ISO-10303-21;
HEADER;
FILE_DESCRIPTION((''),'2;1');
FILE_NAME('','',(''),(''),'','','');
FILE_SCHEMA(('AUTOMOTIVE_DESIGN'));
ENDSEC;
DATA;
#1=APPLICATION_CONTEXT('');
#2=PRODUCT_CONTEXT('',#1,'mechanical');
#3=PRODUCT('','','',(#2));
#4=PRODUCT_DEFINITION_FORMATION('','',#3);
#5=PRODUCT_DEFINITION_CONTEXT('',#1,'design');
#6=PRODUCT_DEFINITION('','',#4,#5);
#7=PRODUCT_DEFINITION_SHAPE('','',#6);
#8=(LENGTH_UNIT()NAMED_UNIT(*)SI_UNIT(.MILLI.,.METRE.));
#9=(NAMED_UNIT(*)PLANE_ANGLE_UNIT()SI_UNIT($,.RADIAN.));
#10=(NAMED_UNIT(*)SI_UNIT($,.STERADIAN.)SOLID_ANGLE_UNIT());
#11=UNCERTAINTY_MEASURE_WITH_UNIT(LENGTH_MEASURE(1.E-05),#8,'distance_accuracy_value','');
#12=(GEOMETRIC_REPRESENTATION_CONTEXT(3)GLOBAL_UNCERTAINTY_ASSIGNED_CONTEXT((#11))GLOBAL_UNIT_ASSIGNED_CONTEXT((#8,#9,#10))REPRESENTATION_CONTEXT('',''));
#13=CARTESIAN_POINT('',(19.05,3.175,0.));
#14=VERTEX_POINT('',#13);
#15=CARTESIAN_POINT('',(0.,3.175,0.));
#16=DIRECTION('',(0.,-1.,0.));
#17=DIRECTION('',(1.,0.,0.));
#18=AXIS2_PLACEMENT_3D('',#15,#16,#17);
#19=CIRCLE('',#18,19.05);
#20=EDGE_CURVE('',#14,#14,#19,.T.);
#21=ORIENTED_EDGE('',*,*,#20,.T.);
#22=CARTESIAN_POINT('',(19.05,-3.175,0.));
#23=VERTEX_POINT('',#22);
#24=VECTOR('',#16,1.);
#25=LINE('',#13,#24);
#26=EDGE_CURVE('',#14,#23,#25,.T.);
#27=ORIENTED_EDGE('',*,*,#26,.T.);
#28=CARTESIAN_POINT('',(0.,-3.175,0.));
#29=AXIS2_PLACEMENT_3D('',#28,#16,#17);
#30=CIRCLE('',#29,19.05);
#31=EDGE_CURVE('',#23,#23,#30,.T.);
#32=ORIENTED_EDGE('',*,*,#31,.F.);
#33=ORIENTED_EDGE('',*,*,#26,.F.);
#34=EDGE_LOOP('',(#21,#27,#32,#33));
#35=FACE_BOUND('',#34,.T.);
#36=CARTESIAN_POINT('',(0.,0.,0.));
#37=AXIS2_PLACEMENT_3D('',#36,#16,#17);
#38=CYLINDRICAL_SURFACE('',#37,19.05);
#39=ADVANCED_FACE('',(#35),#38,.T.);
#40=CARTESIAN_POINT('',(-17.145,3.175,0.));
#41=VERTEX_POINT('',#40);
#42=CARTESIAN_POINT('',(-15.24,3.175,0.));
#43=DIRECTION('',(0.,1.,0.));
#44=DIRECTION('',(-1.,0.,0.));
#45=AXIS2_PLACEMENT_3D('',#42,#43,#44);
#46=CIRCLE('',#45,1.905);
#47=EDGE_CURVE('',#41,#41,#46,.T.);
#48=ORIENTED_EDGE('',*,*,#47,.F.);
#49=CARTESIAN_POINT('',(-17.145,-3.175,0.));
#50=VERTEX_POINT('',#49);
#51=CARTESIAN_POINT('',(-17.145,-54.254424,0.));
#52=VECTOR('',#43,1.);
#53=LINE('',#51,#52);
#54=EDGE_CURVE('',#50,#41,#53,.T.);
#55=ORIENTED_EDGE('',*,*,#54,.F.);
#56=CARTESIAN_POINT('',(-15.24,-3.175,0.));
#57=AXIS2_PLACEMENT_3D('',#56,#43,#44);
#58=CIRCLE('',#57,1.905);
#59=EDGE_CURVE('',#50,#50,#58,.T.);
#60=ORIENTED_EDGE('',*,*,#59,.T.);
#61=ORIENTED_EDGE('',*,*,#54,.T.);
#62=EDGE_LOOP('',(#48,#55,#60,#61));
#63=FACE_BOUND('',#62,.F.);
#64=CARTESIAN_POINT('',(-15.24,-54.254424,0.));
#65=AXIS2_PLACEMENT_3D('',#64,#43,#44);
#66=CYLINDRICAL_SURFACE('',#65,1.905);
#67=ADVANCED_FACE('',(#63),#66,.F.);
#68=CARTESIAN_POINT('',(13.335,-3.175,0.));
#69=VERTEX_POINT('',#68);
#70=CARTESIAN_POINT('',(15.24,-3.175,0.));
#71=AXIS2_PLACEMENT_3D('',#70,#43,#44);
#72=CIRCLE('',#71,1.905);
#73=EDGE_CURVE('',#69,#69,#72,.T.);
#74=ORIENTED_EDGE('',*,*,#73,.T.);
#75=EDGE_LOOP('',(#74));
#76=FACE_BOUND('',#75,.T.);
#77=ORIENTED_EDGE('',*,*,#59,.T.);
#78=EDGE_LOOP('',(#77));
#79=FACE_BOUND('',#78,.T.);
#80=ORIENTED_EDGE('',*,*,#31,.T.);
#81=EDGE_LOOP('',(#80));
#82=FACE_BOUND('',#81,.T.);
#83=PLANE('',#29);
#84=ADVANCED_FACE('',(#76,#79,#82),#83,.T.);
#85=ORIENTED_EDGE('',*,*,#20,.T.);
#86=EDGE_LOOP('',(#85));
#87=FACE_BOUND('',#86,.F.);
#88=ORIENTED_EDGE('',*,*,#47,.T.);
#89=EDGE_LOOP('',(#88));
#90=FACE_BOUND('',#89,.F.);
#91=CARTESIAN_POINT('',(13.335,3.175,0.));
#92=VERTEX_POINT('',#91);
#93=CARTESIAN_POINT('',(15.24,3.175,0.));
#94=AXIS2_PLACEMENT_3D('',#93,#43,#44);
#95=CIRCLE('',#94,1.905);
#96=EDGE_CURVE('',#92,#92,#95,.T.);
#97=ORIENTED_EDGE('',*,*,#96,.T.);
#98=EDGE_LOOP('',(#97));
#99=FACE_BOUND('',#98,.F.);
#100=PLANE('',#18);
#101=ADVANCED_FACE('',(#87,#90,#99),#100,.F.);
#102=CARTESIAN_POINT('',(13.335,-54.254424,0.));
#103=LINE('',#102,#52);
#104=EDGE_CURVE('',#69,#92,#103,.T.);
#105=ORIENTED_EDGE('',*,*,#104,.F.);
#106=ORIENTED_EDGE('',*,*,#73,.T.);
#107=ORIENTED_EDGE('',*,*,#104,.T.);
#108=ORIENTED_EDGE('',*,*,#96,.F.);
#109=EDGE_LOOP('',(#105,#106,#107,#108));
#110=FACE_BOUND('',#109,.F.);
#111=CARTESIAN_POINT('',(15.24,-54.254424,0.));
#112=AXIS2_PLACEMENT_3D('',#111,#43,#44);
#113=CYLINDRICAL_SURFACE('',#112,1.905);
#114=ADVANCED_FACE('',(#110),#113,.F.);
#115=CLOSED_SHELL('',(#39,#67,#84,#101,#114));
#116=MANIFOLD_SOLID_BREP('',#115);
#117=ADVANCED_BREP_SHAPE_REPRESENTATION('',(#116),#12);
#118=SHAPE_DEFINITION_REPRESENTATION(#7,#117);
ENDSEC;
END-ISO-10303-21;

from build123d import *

# Parameters (mm, degrees)
F0_R     = 19.05
F1_DEPTH = 3.175
F2_D     = 3.81
F3_D     = 3.81


with BuildPart() as f1:
    # F0 (on Front) → F1 (new body, symmetric)
    with BuildSketch(Plane.XZ):
        Circle(F0_R)
    extrude(amount=F1_DEPTH, both=True)

    # F2 (through all)
    with Locations(Plane.XZ):
        with Locations((15.24, 0), (-15.24, 0)):
            Hole(F2_D / 2)

    # F3 (through all)
    with Locations(Plane(origin=(0, 0, 0), x_dir=(1, 0, 0), z_dir=(0, 1, 0))):
        with Locations((-15.24, 0), (15.24, 0)):
            Hole(F3_D / 2)


solid = f1.part
